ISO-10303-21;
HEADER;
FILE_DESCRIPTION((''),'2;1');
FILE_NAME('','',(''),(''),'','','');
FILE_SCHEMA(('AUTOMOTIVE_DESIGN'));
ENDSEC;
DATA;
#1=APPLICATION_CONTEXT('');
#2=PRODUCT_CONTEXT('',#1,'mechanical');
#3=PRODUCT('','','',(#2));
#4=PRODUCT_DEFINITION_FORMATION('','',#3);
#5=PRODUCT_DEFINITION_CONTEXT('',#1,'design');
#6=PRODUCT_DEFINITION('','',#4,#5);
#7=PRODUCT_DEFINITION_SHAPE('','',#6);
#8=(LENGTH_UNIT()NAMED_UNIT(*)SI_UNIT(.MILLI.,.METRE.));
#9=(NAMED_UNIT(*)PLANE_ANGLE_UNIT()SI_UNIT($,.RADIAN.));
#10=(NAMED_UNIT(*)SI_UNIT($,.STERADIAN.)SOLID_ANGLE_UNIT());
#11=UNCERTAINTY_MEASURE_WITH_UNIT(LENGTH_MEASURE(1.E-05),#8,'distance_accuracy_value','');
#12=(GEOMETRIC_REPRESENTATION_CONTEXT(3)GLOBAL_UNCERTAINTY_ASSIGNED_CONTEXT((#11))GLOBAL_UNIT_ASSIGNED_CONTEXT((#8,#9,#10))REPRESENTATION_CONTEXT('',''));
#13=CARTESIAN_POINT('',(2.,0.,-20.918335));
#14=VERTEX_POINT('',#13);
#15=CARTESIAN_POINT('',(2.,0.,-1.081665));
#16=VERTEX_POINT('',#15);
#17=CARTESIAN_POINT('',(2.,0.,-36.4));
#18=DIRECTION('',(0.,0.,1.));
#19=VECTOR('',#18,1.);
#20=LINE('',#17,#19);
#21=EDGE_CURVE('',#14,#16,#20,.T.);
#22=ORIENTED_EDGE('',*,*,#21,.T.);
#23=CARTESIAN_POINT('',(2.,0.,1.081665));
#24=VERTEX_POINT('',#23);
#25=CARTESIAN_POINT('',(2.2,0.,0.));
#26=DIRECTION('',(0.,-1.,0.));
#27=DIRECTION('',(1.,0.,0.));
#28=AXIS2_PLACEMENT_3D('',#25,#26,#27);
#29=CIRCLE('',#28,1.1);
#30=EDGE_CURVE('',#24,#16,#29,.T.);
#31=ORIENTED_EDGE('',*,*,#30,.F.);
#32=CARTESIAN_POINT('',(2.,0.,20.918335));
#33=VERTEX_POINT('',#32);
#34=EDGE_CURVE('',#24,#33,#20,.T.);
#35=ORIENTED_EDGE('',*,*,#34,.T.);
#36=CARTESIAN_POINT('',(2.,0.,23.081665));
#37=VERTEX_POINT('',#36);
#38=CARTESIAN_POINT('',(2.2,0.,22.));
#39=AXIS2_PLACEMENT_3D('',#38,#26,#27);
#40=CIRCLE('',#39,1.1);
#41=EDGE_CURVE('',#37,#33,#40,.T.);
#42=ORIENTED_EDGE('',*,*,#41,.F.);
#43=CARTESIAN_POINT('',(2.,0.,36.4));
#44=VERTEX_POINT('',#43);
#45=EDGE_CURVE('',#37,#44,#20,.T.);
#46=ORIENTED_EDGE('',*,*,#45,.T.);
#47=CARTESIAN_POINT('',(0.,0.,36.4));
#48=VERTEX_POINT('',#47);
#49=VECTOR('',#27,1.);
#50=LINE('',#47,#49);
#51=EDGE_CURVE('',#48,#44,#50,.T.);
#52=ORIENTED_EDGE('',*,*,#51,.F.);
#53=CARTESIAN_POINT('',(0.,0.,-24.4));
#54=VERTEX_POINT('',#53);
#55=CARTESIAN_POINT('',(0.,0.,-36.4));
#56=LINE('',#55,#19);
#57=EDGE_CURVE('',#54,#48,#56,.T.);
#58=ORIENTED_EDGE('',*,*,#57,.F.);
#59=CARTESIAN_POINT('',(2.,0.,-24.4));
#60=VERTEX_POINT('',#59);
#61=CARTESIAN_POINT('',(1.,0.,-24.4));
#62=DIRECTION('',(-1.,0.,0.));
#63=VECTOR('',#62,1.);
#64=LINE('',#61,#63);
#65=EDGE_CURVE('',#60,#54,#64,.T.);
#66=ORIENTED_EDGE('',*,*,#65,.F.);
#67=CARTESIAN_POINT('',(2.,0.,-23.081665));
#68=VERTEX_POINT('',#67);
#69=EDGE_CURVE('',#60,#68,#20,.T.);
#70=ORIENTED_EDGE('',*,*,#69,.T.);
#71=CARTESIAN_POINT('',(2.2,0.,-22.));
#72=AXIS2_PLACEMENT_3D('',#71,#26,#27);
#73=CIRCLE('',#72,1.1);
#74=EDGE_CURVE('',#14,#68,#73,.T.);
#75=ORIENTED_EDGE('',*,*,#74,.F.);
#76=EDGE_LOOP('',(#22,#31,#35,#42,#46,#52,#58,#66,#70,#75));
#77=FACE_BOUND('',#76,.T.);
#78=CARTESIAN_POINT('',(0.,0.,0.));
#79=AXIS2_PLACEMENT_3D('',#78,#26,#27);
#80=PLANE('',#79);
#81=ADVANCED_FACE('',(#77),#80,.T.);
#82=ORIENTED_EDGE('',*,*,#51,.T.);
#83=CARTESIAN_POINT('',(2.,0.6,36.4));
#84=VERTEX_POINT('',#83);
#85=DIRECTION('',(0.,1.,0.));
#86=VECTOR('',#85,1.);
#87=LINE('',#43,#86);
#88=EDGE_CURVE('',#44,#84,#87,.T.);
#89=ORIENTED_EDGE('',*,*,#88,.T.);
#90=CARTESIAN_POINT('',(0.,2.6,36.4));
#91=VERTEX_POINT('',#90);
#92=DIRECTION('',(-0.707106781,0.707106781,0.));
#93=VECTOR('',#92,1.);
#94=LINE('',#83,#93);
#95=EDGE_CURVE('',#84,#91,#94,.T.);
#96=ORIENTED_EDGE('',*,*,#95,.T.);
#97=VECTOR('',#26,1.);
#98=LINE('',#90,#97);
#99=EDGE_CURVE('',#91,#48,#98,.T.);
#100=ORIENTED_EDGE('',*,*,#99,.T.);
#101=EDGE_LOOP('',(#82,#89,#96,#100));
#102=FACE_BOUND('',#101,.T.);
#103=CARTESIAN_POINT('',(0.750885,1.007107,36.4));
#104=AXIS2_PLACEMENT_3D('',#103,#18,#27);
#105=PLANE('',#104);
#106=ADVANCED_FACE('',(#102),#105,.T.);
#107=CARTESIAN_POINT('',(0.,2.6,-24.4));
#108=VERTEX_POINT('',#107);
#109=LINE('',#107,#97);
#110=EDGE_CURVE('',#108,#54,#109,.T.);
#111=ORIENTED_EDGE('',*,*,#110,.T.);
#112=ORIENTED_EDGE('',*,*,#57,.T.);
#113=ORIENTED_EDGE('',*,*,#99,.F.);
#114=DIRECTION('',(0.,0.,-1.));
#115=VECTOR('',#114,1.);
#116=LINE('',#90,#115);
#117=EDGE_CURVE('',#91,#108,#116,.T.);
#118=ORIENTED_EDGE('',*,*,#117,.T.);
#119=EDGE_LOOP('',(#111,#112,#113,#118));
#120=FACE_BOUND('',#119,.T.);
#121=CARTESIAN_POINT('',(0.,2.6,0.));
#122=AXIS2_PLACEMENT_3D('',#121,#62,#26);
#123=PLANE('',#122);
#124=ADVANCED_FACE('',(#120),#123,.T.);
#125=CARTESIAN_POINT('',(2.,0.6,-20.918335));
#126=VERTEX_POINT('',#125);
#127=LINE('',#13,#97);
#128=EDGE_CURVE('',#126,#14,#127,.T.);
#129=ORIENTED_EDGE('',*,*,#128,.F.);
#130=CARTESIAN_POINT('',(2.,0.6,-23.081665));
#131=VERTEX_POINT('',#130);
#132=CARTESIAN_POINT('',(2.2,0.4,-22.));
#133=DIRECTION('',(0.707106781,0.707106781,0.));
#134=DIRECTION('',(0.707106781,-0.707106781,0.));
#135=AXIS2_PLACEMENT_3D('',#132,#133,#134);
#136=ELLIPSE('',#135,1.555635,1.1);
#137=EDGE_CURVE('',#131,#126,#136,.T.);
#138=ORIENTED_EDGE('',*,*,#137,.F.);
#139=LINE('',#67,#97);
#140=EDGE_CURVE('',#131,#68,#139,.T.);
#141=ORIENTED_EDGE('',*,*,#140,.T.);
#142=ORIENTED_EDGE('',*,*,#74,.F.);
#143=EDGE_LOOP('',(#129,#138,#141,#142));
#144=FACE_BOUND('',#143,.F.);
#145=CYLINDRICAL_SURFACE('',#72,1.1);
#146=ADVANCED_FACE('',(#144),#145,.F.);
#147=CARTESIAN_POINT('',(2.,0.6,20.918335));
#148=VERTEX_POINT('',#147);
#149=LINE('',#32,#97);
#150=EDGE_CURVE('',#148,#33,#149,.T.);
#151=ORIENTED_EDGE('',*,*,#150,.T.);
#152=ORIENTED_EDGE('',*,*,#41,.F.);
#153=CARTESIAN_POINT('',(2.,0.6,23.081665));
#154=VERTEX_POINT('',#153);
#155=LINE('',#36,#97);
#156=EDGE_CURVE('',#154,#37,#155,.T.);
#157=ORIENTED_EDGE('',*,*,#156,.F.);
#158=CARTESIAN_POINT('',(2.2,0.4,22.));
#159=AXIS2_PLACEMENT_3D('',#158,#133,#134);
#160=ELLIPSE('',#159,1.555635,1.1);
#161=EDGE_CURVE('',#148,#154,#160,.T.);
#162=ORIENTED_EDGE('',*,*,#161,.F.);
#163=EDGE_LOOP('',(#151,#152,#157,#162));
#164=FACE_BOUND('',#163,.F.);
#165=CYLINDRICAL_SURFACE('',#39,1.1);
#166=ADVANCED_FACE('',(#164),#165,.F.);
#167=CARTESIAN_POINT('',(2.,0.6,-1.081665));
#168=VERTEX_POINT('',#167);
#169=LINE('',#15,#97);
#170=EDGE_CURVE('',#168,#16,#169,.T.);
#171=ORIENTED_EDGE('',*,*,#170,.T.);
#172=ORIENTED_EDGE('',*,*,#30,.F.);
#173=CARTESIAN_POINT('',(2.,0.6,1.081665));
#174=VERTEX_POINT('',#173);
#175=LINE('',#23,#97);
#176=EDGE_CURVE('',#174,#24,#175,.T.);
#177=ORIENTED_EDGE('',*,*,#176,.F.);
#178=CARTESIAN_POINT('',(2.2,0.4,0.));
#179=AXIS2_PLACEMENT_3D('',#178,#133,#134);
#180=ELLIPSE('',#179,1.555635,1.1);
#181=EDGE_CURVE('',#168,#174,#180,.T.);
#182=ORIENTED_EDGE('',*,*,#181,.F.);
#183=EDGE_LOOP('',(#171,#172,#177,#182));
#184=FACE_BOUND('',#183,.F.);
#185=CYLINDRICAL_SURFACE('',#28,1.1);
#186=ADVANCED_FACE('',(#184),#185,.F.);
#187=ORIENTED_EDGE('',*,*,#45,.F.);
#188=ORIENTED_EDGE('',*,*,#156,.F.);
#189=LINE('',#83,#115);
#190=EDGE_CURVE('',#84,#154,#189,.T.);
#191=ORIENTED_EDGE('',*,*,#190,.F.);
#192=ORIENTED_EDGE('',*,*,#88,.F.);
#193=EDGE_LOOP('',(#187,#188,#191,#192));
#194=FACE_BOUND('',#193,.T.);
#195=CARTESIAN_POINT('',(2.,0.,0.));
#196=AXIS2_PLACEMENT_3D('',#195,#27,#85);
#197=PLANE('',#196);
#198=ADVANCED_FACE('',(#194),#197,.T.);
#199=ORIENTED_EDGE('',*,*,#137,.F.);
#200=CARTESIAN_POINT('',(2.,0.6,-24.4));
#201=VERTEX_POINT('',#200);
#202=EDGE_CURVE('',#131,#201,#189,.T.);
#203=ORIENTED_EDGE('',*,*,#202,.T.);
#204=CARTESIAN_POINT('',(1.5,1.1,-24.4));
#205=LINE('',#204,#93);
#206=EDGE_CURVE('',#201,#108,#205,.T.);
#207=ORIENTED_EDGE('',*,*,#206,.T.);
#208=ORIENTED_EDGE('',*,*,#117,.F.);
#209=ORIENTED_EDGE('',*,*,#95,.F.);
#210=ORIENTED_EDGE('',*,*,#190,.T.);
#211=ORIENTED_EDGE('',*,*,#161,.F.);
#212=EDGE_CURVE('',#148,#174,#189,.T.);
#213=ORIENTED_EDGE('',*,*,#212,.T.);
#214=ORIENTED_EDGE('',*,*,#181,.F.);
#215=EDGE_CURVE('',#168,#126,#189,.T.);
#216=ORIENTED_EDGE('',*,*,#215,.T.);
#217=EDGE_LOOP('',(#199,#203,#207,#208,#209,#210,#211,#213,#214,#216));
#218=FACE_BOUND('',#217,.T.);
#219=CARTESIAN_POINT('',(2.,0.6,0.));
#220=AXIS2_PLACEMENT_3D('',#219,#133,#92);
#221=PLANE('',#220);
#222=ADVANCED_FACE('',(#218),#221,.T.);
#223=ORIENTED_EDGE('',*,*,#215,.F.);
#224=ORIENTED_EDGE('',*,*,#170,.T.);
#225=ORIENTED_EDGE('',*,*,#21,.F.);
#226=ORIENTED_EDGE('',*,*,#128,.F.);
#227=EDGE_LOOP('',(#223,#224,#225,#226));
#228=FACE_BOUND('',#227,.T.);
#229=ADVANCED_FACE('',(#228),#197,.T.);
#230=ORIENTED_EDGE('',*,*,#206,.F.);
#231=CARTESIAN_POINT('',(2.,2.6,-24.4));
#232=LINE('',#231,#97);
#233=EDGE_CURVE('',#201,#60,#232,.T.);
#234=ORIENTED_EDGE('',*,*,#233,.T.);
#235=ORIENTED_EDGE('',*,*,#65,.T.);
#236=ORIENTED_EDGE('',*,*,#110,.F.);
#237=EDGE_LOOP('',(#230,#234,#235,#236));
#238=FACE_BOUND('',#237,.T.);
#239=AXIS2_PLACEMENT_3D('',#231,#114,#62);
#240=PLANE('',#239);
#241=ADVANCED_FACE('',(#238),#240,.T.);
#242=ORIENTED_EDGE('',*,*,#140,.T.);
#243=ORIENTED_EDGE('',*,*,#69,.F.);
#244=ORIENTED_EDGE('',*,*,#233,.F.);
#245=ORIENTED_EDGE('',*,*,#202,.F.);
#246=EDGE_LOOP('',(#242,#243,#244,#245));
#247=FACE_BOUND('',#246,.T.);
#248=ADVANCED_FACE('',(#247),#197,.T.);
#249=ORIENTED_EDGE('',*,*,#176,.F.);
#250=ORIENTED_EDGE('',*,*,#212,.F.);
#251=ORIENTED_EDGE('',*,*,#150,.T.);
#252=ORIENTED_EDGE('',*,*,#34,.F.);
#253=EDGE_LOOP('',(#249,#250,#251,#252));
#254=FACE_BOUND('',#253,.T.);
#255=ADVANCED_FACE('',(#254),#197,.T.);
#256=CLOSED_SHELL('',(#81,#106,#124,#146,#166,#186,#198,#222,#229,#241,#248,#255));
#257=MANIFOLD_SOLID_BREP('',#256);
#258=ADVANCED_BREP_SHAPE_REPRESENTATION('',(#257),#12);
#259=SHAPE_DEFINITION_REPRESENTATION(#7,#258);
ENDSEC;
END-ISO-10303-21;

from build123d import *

# Parameters (mm, degrees)
BOSS_EXTRUDE1_DEPTH = 36.4
CUT_EXTRUDE1_REACH  = 4.6
SKETCH2_R           = 1.1
CUT_EXTRUDE3_START  = -2.6
SKETCH4_W           = 2
SKETCH4_H           = 12
CUT_EXTRUDE3_DEPTH  = 2.6


with BuildPart() as part:
    # Sketch1 → Boss-Extrude1 (new body, symmetric)
    with BuildSketch(Plane.XY):
        Polygon((0, 2.6), (0, 0), (2, 0), (2, 0.6), align=None)
    extrude(amount=BOSS_EXTRUDE1_DEPTH, both=True)

    # Cut-Extrude1: up to this face of the body (flat: up to its plane)
    cut_extrude1_end = Plane(part.part.faces().sort_by_distance((1, 1.6, 0))[0])
    # Sketch2 → Cut-Extrude1 (cut, up to the picked face)
    with BuildSketch(Plane.XZ, mode=Mode.PRIVATE) as cut_extrude1_sk1:
        with Locations((2.2, 0)):
            Circle(SKETCH2_R)
    cut_extrude1_tool1 = split(extrude(cut_extrude1_sk1.sketch, amount=-CUT_EXTRUDE1_REACH, mode=Mode.PRIVATE), bisect_by=cut_extrude1_end, keep=Keep.BOTH, mode=Mode.PRIVATE)
    add(cut_extrude1_tool1.solids().sort_by_distance((2.2, 0, 0))[0], mode=Mode.SUBTRACT)
    # Sketch2 → Cut-Extrude1 (cut, up to the picked face)
    with BuildSketch(Plane.XZ, mode=Mode.PRIVATE) as cut_extrude1_sk2:
        with Locations((2.2, 22)):
            Circle(SKETCH2_R)
    cut_extrude1_tool2 = split(extrude(cut_extrude1_sk2.sketch, amount=-CUT_EXTRUDE1_REACH, mode=Mode.PRIVATE), bisect_by=cut_extrude1_end, keep=Keep.BOTH, mode=Mode.PRIVATE)
    add(cut_extrude1_tool2.solids().sort_by_distance((2.2, 0, 22))[0], mode=Mode.SUBTRACT)
    # Sketch2 → Cut-Extrude1 (cut, up to the picked face)
    with BuildSketch(Plane.XZ, mode=Mode.PRIVATE) as cut_extrude1_sk3:
        with Locations((2.2, -22)):
            Circle(SKETCH2_R)
    cut_extrude1_tool3 = split(extrude(cut_extrude1_sk3.sketch, amount=-CUT_EXTRUDE1_REACH, mode=Mode.PRIVATE), bisect_by=cut_extrude1_end, keep=Keep.BOTH, mode=Mode.PRIVATE)
    add(cut_extrude1_tool3.solids().sort_by_distance((2.2, 0, -22))[0], mode=Mode.SUBTRACT)

    # Sketch4 → Cut-Extrude3 (cut)
    with BuildSketch(Plane(origin=(0, 0, 0), x_dir=(-1, 0, 0), z_dir=(0, -1, 0)).offset(CUT_EXTRUDE3_START)):
        with Locations((-1, 30.4)):
            Rectangle(SKETCH4_W, SKETCH4_H)
    extrude(amount=CUT_EXTRUDE3_DEPTH, mode=Mode.SUBTRACT)


solid = part.part
